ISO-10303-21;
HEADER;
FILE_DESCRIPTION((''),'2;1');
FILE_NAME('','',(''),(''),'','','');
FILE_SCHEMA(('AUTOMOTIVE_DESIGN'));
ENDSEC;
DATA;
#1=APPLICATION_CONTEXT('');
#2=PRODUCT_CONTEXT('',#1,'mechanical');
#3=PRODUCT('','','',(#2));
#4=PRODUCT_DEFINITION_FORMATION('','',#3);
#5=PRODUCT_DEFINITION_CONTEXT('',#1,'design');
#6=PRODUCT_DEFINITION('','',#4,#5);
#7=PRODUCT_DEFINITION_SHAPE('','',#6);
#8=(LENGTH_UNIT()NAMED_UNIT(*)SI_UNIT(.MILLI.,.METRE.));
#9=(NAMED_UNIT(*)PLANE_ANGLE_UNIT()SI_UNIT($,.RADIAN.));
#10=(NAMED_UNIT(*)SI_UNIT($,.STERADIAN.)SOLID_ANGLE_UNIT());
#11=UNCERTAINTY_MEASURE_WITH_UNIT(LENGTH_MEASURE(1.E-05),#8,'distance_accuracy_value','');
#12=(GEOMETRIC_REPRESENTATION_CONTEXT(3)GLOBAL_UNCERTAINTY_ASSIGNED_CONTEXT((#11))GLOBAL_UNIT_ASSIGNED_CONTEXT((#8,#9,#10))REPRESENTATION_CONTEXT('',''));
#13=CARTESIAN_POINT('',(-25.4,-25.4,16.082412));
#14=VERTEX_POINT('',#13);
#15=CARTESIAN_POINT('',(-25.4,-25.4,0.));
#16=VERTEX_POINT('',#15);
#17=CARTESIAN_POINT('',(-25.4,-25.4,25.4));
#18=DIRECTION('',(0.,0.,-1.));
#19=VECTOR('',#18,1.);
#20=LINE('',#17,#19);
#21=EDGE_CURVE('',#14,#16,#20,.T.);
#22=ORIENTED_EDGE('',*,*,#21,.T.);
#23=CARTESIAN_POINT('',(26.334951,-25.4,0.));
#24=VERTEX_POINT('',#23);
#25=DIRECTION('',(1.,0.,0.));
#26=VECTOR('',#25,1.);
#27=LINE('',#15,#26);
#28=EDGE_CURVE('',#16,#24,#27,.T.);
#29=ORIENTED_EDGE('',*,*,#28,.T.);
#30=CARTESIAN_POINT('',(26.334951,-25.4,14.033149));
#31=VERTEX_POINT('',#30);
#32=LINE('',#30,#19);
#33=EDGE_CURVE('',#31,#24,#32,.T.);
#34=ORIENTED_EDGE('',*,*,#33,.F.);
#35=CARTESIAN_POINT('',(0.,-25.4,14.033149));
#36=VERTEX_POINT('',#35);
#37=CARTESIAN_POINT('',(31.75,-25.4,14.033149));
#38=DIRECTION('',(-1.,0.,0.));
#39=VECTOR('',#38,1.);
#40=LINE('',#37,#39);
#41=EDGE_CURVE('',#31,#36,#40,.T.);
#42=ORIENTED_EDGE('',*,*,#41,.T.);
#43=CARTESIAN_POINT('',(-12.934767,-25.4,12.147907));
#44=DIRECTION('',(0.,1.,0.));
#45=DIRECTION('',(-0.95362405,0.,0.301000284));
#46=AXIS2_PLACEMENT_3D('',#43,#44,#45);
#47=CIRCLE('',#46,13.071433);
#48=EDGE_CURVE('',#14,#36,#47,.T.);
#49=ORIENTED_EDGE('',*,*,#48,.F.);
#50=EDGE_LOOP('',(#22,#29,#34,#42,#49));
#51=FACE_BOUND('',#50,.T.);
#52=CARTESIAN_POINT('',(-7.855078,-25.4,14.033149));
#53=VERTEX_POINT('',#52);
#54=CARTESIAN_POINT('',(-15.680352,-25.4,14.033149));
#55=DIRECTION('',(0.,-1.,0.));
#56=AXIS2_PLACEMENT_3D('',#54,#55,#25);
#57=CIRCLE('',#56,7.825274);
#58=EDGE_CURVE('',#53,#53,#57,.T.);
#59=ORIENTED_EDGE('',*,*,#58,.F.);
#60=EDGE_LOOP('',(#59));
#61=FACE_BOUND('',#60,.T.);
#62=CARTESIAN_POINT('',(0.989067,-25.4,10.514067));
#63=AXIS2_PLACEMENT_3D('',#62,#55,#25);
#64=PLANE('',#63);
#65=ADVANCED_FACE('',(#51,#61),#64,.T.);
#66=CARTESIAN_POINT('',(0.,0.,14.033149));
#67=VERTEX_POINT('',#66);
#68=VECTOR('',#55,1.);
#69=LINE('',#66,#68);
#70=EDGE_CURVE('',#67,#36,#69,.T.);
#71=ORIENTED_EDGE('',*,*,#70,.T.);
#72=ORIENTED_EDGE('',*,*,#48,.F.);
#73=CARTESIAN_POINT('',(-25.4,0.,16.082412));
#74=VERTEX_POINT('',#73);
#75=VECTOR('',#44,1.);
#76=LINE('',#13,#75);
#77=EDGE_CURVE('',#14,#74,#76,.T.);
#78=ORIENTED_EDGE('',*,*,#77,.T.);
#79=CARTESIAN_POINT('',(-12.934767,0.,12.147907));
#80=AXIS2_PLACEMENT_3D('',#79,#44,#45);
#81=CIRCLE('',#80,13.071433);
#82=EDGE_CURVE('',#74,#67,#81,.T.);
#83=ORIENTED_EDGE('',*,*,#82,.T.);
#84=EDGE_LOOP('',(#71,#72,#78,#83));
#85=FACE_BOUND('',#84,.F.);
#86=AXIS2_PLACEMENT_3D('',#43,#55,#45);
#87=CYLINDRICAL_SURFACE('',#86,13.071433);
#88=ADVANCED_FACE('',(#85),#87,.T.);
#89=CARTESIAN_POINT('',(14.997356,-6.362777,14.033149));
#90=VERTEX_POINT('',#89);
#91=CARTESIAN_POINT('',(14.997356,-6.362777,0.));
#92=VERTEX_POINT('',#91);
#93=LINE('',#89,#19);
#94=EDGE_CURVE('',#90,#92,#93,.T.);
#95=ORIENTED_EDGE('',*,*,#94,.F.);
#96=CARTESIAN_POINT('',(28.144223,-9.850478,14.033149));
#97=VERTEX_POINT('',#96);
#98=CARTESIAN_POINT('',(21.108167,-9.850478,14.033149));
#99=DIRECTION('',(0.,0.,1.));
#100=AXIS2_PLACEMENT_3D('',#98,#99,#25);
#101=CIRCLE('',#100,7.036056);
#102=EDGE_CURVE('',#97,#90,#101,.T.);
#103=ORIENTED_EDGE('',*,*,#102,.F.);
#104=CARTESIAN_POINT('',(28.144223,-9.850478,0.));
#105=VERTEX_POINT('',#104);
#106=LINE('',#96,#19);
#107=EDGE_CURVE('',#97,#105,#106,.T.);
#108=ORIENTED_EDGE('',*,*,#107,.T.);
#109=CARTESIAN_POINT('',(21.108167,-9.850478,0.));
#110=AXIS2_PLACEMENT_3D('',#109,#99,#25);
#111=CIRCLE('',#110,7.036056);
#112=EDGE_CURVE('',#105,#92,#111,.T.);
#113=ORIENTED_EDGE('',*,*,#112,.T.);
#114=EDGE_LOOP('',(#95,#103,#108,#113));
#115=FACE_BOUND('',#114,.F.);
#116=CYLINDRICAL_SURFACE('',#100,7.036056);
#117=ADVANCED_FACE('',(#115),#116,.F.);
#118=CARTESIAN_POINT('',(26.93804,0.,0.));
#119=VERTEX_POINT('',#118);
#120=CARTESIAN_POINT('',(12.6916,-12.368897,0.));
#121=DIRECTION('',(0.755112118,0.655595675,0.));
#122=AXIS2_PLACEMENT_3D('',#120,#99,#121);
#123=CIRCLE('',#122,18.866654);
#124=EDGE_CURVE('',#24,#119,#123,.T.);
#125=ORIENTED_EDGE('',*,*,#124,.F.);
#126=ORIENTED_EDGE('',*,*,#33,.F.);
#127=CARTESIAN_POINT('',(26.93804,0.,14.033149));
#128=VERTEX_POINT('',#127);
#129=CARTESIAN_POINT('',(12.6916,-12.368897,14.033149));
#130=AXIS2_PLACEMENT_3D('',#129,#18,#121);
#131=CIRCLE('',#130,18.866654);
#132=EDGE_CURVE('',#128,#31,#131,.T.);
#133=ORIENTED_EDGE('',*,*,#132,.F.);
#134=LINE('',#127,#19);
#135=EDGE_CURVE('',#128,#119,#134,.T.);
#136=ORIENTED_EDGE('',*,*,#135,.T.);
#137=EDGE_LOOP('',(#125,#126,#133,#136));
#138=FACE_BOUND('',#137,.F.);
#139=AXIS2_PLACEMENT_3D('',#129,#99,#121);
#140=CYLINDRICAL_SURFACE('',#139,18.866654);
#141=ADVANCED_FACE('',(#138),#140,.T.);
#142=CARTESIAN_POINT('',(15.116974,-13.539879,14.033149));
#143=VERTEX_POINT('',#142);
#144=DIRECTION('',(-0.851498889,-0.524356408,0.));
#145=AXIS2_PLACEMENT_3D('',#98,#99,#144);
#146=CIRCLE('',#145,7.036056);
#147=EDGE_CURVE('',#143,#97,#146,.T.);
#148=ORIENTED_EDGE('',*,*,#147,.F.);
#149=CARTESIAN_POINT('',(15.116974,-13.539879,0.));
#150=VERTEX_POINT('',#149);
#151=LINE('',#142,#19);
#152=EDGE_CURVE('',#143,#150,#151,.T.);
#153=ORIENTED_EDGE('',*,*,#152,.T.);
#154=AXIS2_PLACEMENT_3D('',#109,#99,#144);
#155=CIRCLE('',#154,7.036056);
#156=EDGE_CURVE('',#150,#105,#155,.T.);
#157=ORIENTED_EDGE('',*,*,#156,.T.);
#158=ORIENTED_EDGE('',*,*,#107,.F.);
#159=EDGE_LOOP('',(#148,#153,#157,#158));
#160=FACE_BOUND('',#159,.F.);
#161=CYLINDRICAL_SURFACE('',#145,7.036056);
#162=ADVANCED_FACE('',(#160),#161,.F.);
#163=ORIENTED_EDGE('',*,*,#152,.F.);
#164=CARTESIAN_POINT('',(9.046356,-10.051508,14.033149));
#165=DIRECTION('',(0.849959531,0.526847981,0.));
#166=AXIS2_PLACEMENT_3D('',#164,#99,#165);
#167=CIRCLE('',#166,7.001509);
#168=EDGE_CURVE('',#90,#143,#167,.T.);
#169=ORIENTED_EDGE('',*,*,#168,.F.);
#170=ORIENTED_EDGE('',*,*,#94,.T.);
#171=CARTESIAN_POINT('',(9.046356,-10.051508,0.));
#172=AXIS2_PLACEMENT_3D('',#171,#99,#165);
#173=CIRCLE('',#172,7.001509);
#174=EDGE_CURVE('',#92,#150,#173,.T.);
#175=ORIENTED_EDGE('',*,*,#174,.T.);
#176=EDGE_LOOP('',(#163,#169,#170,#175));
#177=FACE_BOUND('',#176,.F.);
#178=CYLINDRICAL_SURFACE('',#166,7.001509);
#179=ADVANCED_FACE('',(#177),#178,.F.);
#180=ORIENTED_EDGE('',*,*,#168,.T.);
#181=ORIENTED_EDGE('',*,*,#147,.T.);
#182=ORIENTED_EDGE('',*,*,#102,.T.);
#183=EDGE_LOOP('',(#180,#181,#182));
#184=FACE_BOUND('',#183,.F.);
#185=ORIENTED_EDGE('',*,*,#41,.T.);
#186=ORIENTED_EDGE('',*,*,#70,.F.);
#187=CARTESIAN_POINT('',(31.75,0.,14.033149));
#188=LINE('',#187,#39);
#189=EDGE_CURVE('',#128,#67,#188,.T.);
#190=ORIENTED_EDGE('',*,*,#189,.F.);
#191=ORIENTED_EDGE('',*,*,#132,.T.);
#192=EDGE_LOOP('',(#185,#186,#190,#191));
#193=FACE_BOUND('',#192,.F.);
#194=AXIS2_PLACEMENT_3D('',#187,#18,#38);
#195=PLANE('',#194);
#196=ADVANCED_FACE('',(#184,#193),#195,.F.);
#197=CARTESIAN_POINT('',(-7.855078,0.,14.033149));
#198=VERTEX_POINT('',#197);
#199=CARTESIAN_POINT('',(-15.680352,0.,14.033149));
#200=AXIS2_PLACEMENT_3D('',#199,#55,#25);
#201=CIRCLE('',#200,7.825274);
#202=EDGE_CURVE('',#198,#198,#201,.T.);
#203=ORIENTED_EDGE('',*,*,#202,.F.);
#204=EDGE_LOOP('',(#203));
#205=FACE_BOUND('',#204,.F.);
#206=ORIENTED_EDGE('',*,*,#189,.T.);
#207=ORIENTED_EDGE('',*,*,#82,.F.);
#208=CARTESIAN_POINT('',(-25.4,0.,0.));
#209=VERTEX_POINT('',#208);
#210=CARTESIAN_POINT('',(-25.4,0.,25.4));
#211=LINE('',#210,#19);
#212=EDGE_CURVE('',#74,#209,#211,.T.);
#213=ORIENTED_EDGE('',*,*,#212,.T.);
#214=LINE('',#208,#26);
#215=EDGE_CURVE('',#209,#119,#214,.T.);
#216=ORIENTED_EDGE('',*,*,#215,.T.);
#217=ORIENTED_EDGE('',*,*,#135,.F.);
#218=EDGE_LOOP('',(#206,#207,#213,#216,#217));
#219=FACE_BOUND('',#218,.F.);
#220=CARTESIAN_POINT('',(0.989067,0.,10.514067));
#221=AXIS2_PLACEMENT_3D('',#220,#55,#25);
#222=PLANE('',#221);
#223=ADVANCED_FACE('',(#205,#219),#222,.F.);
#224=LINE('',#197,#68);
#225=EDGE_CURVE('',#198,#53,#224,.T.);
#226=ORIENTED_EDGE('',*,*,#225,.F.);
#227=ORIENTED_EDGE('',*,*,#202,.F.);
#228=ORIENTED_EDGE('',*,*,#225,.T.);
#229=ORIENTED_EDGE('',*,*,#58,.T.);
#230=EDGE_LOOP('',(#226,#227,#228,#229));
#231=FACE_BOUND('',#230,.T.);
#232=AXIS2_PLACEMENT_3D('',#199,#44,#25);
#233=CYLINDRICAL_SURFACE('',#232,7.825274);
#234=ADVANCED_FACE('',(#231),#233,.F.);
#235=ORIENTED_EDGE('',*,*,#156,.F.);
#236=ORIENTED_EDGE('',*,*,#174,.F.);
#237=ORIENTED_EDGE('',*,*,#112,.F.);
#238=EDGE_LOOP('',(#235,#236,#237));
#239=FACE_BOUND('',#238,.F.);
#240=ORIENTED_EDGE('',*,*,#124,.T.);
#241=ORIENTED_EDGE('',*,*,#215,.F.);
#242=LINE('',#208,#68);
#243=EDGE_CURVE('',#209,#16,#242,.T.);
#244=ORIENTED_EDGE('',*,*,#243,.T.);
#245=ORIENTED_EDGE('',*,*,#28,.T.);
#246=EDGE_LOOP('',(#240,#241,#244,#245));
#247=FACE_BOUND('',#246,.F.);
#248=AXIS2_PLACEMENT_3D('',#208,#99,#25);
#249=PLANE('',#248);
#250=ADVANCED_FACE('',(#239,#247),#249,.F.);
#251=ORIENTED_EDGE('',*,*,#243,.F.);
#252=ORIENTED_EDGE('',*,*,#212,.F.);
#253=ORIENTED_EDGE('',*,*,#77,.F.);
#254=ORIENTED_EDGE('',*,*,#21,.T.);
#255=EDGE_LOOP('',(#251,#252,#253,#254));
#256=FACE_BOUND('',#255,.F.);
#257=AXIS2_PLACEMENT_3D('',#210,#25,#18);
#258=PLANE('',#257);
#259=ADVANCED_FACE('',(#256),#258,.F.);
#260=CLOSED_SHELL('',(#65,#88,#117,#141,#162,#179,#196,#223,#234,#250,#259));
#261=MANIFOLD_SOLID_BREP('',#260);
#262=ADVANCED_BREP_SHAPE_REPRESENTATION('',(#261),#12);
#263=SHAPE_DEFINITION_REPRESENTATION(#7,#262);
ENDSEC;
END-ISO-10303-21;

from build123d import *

# Parameters (mm, degrees)
F0_R     = 7.825273897
F1_DEPTH = 25.4
F3_DEPTH = 25.4
F5_DEPTH = 25.4
F7_DEPTH = 25.4


with BuildPart() as f1:
    # F0 (on Front) → F1 (new body)
    with BuildSketch(Plane.XZ):
        Polygon((0, 25.4), (-25.4, 25.4), (-25.4, 0), (31.75, 0), (31.75, 14.0331494874), (0, 14.0331494874), align=None)
        with Locations((-15.6803522259, 14.0331494874)):
            Circle(F0_R, mode=Mode.SUBTRACT)
    extrude(amount=F1_DEPTH)

    # F2 (on face) → F3 (cut)
    with BuildSketch(Plane.XY.offset(14.0331494874)):
        with BuildLine():
            ThreePointArc((15.1169737006, -13.5398786525), (15.8111405263, -11.8567285769), (16.0478653305, -10.0515075028))
            ThreePointArc((16.0478653305, -10.0515075028), (15.7801184051, -8.1338066206), (14.9973556185, -6.3627765504))
            ThreePointArc((14.9973556185, -6.3627765504), (14.0730886432, -9.9677288292), (15.1169737006, -13.5398786525))
        make_face()
        with BuildLine():
            ThreePointArc((14.9973556185, -6.3627765504), (15.7801184051, -8.1338066206), (16.0478653305, -10.0515075028))
            ThreePointArc((16.0478653305, -10.0515075028), (15.8111405263, -11.8567285769), (15.1169737006, -13.5398786525))
            ThreePointArc((15.1169737006, -13.5398786525), (23.0254188868, -16.6202802265), (28.1442228705, -9.8504777998))
            ThreePointArc((28.1442228705, -9.8504777998), (22.9123385557, -3.0496657427), (14.9973556185, -6.3627765504))
        make_face()
        with BuildLine():
            ThreePointArc((15.1169737006, -13.5398786525), (14.0730886432, -9.9677288292), (14.9973556185, -6.3627765504))
            ThreePointArc((14.9973556185, -6.3627765504), (2.0458192815, -10.1681828387), (15.1169737006, -13.5398786525))
        make_face()
    extrude(amount=-F3_DEPTH, mode=Mode.SUBTRACT)

    # F4 (on face) → F5 (cut)
    with BuildSketch(Plane.XY.offset(14.0331494874)):
        with BuildLine():
            ThreePointArc((26.9380398095, 0), (31.5529389663, -12.816734396), (26.3349507004, -25.4))
            Line((26.3349507004, -25.4), (31.75, -25.4))
            Line((31.75, -25.4), (31.75, 0))
            Line((31.75, 0), (26.9380398095, 0))
        make_face()
    extrude(amount=-F5_DEPTH, mode=Mode.SUBTRACT)

    # F6 (on face) → F7 (cut)
    with BuildSketch(Plane.XZ.offset(25.4)):
        with BuildLine():
            ThreePointArc((-25.4, 16.0824116319), (-11.8835850118, 25.1770035953), (0, 14.0331494874))
            Line((0, 14.0331494874), (0, 25.4))
            Line((0, 25.4), (-25.4, 25.4))
            Line((-25.4, 25.4), (-25.4, 16.0824116319))
        make_face()
    extrude(amount=-F7_DEPTH, mode=Mode.SUBTRACT)


solid = f1.part
